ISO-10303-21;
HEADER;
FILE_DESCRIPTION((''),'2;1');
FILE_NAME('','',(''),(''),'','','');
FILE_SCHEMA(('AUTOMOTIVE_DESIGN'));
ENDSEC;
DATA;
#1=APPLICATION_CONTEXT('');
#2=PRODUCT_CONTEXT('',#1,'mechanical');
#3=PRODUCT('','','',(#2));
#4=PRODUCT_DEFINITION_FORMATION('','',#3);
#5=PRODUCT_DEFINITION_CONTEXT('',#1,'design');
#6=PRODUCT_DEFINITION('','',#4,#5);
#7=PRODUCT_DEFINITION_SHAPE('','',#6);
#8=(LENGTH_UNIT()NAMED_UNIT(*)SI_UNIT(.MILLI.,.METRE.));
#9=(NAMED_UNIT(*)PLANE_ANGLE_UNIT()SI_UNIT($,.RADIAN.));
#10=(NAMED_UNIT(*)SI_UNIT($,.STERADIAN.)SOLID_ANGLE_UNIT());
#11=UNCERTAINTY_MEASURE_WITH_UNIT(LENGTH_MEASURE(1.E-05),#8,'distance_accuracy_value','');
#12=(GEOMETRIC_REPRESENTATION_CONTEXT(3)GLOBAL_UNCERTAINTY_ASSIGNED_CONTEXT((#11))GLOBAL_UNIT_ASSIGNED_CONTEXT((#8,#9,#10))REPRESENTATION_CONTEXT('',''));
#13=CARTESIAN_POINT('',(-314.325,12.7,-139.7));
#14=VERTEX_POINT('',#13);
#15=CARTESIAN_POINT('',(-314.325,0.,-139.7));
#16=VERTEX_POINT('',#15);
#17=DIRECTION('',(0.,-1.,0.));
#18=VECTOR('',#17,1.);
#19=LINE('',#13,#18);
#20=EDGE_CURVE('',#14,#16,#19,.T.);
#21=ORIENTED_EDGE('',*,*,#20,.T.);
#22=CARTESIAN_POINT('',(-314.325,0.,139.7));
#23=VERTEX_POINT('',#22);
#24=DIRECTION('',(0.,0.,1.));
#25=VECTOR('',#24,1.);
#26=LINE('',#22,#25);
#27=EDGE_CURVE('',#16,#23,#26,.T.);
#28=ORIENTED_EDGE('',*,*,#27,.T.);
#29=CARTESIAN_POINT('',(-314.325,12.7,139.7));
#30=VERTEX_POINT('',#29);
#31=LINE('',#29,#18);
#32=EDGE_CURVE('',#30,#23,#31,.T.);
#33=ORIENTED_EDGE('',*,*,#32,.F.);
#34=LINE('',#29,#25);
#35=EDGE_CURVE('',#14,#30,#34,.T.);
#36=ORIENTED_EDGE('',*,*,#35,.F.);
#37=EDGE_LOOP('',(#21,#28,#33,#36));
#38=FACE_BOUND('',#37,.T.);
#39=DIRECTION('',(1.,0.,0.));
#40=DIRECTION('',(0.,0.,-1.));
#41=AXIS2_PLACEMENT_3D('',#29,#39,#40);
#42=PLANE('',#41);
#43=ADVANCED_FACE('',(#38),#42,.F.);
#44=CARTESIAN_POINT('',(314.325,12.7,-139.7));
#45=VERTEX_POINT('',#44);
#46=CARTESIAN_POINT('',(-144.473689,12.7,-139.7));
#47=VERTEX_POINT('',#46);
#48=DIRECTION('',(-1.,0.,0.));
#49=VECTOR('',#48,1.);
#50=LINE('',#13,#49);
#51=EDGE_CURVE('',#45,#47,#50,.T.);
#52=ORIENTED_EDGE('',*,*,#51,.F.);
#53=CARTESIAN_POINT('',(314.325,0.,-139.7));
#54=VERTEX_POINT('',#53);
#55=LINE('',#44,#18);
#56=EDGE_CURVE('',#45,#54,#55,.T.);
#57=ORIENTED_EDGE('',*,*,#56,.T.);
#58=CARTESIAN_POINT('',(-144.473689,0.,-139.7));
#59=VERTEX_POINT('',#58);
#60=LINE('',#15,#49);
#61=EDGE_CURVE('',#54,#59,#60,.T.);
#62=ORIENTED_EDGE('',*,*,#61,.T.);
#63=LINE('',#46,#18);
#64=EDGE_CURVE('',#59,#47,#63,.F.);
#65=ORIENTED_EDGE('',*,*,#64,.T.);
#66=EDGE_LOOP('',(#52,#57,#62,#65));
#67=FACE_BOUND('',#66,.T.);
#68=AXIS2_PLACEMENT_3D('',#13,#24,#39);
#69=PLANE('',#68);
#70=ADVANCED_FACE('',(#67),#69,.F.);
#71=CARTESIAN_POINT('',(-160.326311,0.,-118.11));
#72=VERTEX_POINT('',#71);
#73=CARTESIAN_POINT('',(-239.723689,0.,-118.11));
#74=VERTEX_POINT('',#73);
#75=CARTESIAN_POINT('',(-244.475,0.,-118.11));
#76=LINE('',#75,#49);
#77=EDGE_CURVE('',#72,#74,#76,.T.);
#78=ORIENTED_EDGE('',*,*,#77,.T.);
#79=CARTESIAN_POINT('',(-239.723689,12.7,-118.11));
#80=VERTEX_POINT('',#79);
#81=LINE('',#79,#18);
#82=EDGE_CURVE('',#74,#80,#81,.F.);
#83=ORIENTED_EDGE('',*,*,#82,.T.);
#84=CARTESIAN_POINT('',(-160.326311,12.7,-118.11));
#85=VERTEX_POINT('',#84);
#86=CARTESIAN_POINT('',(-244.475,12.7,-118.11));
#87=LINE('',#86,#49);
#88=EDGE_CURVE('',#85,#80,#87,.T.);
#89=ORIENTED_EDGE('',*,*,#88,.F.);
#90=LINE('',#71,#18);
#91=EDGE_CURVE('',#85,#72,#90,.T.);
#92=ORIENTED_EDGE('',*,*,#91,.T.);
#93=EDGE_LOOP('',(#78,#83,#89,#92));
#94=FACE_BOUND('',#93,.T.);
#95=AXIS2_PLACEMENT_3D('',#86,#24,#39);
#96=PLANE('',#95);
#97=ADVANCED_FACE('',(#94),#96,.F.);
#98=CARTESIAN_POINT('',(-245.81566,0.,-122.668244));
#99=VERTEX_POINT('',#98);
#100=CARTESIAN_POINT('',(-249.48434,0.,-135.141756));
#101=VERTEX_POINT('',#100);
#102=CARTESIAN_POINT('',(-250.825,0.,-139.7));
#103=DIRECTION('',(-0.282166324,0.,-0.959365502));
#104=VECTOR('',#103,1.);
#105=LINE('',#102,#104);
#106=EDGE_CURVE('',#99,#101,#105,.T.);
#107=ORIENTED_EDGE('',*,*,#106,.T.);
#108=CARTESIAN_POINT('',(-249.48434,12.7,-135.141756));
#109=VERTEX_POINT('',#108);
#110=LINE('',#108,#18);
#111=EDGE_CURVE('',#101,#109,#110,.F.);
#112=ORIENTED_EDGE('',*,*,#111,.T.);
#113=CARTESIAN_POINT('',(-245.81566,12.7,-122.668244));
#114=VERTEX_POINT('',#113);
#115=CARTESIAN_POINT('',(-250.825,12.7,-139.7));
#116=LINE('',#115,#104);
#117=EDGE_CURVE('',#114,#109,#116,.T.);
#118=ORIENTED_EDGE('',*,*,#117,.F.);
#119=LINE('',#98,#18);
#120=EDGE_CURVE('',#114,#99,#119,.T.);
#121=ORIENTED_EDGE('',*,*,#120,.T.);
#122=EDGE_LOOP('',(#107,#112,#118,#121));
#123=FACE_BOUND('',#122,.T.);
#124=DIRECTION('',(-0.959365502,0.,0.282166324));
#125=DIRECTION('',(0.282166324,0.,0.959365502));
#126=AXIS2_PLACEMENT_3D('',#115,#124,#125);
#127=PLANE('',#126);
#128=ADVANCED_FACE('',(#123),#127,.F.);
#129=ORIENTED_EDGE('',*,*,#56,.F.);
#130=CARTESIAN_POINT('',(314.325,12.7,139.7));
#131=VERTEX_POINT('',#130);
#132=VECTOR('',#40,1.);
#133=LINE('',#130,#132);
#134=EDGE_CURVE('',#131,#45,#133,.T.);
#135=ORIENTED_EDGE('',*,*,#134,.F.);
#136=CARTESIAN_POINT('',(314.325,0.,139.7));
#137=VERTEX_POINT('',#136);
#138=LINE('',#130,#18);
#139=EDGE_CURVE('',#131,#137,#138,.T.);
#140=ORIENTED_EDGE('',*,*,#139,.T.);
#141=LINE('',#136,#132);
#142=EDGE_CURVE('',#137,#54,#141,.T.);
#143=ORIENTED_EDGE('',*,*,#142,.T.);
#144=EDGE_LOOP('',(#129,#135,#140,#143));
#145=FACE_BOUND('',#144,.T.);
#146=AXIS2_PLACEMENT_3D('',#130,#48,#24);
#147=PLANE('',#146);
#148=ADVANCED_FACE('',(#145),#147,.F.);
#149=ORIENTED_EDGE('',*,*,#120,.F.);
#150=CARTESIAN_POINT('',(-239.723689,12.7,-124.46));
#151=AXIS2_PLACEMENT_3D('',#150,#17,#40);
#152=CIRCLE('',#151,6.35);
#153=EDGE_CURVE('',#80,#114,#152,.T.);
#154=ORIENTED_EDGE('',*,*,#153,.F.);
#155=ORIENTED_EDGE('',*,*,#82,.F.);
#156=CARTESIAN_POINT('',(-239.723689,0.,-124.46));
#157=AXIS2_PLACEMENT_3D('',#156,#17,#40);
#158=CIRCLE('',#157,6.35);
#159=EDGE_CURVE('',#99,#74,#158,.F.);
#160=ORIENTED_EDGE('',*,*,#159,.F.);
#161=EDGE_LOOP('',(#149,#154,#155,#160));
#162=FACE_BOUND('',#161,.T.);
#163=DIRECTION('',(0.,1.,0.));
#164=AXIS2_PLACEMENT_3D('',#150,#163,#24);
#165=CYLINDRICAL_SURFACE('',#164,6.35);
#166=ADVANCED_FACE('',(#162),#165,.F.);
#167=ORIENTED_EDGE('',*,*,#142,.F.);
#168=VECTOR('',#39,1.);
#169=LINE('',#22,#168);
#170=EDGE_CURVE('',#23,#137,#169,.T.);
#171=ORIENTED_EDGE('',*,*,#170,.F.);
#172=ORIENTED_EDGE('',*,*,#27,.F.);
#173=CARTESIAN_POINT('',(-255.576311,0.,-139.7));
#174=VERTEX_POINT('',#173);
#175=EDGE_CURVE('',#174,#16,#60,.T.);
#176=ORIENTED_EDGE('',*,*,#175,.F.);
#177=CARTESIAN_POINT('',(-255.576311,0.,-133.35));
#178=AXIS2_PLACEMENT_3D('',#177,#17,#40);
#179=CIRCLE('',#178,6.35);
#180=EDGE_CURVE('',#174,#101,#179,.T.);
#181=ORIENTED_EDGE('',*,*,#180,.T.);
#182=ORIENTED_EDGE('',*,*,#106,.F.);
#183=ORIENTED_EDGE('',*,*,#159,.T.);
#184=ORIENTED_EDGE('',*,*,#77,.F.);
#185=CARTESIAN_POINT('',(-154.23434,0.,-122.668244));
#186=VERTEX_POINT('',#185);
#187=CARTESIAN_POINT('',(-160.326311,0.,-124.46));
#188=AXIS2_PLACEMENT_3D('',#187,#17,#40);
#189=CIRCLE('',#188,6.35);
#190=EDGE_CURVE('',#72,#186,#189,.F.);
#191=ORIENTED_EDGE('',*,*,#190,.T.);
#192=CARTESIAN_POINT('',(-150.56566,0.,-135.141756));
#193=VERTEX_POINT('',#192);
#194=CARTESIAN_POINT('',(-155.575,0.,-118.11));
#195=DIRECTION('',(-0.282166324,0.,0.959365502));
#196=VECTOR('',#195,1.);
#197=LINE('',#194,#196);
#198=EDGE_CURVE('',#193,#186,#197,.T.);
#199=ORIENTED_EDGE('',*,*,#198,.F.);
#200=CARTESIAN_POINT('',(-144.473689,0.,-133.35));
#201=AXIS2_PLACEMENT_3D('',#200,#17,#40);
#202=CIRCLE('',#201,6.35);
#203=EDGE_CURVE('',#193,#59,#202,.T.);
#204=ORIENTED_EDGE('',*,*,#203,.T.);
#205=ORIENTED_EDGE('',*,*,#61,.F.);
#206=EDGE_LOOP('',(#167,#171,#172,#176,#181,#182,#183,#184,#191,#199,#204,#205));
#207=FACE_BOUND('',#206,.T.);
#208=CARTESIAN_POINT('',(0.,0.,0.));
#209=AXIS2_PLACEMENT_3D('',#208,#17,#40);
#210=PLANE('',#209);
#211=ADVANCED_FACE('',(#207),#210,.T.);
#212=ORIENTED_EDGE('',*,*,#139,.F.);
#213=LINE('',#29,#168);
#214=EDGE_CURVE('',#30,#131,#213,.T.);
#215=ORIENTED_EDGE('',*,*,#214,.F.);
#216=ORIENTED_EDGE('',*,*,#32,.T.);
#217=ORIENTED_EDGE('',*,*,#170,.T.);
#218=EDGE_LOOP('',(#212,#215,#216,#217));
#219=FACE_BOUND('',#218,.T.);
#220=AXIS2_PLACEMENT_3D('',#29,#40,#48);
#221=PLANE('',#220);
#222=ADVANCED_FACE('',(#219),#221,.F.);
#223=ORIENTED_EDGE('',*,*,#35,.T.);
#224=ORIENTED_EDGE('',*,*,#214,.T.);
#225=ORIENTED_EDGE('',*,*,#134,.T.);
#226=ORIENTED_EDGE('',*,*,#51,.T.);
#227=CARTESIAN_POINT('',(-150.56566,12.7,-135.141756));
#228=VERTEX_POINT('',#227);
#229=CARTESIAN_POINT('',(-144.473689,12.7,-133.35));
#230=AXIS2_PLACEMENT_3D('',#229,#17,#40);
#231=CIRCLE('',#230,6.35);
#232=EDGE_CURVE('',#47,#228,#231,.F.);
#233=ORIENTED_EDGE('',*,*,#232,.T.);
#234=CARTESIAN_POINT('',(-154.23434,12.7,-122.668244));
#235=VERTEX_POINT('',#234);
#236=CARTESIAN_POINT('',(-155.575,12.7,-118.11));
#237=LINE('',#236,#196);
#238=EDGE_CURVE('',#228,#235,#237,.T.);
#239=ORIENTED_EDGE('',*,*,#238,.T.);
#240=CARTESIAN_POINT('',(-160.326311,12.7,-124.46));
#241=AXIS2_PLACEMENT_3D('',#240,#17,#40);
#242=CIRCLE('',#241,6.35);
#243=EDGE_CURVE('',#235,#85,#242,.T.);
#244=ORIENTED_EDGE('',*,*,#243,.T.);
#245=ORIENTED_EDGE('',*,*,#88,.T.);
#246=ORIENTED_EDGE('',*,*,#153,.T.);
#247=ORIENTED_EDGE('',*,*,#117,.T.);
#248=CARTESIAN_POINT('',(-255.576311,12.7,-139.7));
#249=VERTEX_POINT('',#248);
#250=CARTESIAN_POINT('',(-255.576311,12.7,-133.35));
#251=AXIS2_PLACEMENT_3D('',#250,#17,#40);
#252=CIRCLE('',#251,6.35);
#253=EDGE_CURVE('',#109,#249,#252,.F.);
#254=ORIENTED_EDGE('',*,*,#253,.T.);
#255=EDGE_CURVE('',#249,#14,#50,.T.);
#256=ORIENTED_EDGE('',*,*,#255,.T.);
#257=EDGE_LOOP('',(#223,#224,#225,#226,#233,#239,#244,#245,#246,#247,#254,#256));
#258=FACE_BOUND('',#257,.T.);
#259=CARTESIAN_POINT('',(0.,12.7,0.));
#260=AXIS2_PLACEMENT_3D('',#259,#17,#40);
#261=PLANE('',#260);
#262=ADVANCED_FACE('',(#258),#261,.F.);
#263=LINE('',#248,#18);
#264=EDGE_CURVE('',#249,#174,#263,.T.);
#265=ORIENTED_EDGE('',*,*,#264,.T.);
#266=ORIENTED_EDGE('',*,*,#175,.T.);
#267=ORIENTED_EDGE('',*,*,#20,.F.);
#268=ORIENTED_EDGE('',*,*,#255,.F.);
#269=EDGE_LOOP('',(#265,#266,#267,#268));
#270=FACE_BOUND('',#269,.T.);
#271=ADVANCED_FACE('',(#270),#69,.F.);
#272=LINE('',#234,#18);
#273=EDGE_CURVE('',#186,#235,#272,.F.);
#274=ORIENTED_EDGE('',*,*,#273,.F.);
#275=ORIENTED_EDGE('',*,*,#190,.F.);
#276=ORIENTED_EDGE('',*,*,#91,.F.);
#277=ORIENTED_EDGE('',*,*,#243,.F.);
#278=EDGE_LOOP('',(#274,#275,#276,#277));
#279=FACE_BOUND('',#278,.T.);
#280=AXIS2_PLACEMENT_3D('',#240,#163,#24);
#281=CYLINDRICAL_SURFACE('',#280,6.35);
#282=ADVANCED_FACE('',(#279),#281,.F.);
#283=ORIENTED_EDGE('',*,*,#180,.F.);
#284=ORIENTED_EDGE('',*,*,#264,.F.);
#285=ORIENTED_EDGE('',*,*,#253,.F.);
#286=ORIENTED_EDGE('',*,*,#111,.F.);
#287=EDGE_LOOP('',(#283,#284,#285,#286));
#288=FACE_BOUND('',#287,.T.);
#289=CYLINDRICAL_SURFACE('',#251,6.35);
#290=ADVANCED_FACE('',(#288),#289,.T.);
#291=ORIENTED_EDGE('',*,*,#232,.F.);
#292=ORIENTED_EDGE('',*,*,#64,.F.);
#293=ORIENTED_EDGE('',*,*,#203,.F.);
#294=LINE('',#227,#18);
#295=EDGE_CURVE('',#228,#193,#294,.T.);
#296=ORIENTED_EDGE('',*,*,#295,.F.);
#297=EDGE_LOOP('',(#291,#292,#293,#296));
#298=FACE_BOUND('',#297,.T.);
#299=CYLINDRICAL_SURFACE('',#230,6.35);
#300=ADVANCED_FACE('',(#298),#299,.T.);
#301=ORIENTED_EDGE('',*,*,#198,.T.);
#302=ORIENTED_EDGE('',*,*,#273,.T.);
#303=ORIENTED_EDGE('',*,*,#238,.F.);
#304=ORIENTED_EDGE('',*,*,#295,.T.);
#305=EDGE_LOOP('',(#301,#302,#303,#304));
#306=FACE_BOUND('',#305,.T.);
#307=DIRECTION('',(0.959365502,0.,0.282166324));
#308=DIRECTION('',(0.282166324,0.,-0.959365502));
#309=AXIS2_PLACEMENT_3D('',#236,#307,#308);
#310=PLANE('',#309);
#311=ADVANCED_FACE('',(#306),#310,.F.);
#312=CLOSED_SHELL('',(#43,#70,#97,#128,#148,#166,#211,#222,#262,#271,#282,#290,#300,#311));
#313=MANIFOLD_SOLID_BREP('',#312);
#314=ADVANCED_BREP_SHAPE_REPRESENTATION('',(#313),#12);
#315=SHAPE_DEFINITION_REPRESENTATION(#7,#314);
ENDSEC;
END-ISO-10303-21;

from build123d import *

# Parameters (mm, degrees)
SKETCH1_W           = 628.65
SKETCH1_H           = 279.4
BOSS_EXTRUDE1_DEPTH = 12.7
CUT_EXTRUDE1_DEPTH  = 345.20573154
FILLET1_R           = 6.35


with BuildPart() as part:
    # Sketch1 → Boss-Extrude1 (new body)
    with BuildSketch(Plane(origin=(0, 0, 0), x_dir=(1, 0, 0), z_dir=(0, 1, 0))):
        Rectangle(SKETCH1_W, SKETCH1_H)
    extrude(amount=BOSS_EXTRUDE1_DEPTH)

    # Sketch2 → Cut-Extrude1 (cut, through all)
    with BuildSketch(Plane.XZ):
        Polygon((-149.225, -139.7), (-250.825, -139.7), (-244.475, -118.11), (-155.575, -118.11), align=None)
    extrude(amount=-CUT_EXTRUDE1_DEPTH, mode=Mode.SUBTRACT)

    # Fillet1
    fillet1_edges = [part.edges().sort_by_distance(p)[0] for p in [
        (-155.575, 6.35, -118.11),
        (-149.225, 6.35, -139.7),
        (-250.825, 6.35, -139.7),
        (-244.475, 6.35, -118.11),
    ]]
    fillet(fillet1_edges, radius=FILLET1_R)


solid = part.part
